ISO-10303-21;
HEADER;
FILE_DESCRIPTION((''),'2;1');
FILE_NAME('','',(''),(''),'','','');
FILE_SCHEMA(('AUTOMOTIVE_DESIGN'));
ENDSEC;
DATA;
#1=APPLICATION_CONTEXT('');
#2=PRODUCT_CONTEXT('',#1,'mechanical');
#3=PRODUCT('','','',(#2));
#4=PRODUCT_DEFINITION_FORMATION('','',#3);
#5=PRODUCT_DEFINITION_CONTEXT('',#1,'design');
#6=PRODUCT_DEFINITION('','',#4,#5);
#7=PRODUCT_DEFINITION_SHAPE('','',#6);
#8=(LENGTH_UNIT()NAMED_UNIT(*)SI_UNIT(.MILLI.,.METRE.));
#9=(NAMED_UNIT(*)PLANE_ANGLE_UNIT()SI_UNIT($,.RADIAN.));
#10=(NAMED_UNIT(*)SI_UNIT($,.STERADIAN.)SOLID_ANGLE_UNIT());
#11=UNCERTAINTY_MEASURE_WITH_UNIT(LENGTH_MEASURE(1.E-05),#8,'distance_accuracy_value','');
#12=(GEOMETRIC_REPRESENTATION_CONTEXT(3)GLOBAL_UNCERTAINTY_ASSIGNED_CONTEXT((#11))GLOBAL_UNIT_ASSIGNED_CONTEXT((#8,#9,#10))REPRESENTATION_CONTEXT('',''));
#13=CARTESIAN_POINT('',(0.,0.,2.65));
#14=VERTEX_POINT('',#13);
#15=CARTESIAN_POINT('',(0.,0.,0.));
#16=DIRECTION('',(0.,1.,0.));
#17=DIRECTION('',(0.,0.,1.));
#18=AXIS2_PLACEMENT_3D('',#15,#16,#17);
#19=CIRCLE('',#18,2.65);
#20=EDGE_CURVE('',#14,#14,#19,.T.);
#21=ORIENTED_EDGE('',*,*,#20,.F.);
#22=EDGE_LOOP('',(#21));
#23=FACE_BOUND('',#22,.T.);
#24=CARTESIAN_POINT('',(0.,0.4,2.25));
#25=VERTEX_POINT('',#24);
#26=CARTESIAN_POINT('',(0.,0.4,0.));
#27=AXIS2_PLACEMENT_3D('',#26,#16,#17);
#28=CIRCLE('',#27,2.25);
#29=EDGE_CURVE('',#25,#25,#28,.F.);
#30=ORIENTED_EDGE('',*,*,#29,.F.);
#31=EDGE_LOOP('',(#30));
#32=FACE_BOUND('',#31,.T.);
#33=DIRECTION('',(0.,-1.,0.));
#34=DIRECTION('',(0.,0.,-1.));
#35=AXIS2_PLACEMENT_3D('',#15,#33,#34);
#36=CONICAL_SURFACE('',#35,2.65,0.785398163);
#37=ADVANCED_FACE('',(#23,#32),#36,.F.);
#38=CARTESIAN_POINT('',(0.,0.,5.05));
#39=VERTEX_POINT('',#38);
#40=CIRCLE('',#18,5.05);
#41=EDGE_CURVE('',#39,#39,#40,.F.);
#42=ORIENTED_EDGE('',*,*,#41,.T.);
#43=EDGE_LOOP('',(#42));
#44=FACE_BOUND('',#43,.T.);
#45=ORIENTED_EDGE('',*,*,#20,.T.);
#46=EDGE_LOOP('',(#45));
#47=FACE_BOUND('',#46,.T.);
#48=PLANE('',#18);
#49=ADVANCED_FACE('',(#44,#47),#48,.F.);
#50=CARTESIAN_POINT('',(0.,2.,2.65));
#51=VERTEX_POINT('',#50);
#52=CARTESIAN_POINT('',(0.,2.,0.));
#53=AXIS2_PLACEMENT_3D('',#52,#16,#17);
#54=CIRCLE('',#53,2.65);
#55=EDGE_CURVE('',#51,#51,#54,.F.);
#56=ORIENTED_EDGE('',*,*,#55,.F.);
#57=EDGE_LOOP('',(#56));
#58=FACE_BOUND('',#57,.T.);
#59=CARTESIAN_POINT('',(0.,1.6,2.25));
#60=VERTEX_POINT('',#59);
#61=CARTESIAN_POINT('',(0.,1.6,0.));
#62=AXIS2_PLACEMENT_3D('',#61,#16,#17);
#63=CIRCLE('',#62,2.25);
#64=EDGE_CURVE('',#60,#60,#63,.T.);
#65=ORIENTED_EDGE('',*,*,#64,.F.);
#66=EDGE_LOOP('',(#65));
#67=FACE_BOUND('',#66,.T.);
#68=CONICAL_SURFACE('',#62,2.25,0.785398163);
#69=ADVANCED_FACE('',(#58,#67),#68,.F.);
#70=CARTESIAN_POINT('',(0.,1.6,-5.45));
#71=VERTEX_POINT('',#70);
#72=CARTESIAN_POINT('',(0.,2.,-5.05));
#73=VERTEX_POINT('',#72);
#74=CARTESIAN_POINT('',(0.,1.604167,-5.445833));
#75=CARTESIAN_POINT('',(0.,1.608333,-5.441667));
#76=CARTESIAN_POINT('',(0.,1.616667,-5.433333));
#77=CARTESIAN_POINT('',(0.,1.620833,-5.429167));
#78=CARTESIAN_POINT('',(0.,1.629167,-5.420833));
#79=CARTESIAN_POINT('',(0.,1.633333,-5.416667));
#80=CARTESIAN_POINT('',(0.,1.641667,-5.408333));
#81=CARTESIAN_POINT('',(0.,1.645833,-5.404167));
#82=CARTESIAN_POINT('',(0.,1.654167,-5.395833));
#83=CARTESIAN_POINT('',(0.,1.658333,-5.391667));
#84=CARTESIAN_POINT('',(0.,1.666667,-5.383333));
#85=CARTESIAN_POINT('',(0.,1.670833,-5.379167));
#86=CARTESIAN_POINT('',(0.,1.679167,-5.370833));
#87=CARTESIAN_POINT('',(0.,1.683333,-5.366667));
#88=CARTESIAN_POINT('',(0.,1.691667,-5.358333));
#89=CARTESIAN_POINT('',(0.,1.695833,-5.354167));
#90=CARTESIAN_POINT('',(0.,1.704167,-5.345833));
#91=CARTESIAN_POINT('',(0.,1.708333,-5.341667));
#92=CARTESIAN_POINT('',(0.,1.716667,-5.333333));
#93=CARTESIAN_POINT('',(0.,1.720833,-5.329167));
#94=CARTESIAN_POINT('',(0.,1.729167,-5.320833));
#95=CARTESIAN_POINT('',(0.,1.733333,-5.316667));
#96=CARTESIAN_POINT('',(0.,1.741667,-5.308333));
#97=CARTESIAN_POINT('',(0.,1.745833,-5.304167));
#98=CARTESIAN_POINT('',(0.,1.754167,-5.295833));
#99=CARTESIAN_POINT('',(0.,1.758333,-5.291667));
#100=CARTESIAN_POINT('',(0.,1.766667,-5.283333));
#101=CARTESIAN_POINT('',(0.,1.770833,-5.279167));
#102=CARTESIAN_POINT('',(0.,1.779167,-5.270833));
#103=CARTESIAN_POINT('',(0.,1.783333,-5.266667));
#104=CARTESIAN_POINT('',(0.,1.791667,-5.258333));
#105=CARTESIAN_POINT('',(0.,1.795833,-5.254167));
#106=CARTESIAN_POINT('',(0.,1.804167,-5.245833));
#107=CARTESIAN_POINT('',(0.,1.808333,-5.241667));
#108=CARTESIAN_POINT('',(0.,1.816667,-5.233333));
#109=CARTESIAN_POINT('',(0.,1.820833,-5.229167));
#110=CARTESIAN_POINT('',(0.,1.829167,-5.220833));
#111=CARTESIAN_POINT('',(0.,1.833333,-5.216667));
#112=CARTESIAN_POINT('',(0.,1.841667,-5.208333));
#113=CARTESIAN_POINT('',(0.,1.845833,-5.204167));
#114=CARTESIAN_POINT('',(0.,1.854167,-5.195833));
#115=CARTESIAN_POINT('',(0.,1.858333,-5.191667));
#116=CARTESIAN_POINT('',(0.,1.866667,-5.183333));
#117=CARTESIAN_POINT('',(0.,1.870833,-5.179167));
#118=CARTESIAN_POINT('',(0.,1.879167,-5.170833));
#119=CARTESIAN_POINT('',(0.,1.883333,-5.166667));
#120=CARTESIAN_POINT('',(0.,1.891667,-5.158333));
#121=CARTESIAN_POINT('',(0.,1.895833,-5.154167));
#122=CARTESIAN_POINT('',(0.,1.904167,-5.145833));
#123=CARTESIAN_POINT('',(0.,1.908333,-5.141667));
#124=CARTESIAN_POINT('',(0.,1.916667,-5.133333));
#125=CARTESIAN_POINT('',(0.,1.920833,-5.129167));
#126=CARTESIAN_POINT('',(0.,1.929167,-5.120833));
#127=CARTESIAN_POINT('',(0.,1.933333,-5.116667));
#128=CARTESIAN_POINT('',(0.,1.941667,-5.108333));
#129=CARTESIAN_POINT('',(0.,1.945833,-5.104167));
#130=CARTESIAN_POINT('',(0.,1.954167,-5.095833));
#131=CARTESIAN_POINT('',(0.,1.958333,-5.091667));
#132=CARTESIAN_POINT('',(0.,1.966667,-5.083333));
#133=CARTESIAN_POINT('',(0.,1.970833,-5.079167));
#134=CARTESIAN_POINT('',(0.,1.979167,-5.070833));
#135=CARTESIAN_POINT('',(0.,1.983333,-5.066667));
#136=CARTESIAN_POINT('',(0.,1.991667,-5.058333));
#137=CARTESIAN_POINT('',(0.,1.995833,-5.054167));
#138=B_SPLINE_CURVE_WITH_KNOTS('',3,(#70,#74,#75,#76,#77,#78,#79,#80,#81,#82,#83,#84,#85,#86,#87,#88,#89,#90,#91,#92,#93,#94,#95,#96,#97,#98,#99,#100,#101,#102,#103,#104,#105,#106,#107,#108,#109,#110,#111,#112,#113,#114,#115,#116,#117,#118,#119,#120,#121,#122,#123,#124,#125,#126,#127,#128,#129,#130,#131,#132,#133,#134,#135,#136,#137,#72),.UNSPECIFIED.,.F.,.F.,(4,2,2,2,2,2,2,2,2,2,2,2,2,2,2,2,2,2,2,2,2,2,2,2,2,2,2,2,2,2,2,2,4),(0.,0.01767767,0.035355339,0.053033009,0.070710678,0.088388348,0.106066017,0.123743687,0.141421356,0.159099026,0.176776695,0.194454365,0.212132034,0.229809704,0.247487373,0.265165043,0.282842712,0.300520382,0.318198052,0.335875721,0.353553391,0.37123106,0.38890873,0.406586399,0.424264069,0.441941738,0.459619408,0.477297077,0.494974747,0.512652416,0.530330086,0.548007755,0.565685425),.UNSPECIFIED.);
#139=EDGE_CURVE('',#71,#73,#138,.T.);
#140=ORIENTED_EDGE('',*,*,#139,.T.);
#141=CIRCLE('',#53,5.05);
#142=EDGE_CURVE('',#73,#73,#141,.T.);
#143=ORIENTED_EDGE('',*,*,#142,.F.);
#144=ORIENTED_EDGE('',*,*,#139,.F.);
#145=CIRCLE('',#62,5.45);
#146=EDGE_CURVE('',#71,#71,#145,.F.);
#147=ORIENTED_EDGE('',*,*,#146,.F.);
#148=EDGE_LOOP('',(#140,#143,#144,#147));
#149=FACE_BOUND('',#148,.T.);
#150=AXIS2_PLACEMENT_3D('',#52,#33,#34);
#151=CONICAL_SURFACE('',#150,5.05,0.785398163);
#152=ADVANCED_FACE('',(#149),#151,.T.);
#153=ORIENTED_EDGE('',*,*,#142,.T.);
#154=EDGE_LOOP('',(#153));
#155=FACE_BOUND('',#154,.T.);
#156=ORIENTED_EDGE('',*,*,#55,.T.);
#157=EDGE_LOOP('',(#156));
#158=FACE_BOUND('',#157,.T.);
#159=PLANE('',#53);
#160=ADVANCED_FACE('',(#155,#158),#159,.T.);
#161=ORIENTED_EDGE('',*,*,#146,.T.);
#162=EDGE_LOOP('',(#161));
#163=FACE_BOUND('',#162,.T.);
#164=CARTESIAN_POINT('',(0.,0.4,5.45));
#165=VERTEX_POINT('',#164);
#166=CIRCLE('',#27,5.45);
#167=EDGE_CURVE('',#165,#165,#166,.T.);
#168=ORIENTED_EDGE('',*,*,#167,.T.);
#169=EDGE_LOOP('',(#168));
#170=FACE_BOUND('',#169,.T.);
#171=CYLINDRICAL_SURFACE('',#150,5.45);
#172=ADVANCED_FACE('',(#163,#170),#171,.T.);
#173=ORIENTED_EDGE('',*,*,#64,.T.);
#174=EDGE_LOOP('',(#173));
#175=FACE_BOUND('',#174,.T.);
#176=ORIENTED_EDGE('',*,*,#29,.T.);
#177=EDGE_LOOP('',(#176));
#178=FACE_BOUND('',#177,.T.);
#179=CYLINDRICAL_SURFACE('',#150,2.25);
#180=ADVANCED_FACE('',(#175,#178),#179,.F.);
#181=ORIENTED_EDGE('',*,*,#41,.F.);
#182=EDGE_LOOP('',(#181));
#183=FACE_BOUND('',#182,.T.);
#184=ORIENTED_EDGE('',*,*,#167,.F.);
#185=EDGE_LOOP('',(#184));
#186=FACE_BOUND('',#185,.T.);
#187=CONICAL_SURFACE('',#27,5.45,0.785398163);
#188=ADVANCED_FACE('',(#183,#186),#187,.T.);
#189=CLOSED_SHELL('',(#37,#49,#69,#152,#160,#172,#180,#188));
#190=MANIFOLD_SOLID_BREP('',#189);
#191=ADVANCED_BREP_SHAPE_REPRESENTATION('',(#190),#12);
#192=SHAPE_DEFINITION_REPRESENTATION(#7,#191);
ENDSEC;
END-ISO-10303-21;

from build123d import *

# Parameters (mm, degrees)
SKETCH2_R           = 5.45
SKETCH2_R_2         = 2.25
BOSS_EXTRUDE1_DEPTH = 2
CHAMFER1_SIZE       = 0.4


with BuildPart() as part:
    # Sketch2 → Boss-Extrude1 (new body)
    with BuildSketch(Plane(origin=(0, 0, 0), x_dir=(1, 0, 0), z_dir=(0, 1, 0))):
        with Locations(Location((0, 0, 0), (0, 0, 270))):
            Circle(SKETCH2_R)
        with Locations(Location((0, 0, 0), (0, 0, 270))):
            Circle(SKETCH2_R_2, mode=Mode.SUBTRACT)
    extrude(amount=BOSS_EXTRUDE1_DEPTH)

    # Chamfer1
    chamfer1_edges = [part.edges().sort_by_distance(p)[0] for p in [
        (0, 0, -5.45),
        (0, 2, -5.45),
        (0, 0, -2.25),
        (0, 2, -2.25),
    ]]
    chamfer(chamfer1_edges, length=CHAMFER1_SIZE)


solid = part.part
